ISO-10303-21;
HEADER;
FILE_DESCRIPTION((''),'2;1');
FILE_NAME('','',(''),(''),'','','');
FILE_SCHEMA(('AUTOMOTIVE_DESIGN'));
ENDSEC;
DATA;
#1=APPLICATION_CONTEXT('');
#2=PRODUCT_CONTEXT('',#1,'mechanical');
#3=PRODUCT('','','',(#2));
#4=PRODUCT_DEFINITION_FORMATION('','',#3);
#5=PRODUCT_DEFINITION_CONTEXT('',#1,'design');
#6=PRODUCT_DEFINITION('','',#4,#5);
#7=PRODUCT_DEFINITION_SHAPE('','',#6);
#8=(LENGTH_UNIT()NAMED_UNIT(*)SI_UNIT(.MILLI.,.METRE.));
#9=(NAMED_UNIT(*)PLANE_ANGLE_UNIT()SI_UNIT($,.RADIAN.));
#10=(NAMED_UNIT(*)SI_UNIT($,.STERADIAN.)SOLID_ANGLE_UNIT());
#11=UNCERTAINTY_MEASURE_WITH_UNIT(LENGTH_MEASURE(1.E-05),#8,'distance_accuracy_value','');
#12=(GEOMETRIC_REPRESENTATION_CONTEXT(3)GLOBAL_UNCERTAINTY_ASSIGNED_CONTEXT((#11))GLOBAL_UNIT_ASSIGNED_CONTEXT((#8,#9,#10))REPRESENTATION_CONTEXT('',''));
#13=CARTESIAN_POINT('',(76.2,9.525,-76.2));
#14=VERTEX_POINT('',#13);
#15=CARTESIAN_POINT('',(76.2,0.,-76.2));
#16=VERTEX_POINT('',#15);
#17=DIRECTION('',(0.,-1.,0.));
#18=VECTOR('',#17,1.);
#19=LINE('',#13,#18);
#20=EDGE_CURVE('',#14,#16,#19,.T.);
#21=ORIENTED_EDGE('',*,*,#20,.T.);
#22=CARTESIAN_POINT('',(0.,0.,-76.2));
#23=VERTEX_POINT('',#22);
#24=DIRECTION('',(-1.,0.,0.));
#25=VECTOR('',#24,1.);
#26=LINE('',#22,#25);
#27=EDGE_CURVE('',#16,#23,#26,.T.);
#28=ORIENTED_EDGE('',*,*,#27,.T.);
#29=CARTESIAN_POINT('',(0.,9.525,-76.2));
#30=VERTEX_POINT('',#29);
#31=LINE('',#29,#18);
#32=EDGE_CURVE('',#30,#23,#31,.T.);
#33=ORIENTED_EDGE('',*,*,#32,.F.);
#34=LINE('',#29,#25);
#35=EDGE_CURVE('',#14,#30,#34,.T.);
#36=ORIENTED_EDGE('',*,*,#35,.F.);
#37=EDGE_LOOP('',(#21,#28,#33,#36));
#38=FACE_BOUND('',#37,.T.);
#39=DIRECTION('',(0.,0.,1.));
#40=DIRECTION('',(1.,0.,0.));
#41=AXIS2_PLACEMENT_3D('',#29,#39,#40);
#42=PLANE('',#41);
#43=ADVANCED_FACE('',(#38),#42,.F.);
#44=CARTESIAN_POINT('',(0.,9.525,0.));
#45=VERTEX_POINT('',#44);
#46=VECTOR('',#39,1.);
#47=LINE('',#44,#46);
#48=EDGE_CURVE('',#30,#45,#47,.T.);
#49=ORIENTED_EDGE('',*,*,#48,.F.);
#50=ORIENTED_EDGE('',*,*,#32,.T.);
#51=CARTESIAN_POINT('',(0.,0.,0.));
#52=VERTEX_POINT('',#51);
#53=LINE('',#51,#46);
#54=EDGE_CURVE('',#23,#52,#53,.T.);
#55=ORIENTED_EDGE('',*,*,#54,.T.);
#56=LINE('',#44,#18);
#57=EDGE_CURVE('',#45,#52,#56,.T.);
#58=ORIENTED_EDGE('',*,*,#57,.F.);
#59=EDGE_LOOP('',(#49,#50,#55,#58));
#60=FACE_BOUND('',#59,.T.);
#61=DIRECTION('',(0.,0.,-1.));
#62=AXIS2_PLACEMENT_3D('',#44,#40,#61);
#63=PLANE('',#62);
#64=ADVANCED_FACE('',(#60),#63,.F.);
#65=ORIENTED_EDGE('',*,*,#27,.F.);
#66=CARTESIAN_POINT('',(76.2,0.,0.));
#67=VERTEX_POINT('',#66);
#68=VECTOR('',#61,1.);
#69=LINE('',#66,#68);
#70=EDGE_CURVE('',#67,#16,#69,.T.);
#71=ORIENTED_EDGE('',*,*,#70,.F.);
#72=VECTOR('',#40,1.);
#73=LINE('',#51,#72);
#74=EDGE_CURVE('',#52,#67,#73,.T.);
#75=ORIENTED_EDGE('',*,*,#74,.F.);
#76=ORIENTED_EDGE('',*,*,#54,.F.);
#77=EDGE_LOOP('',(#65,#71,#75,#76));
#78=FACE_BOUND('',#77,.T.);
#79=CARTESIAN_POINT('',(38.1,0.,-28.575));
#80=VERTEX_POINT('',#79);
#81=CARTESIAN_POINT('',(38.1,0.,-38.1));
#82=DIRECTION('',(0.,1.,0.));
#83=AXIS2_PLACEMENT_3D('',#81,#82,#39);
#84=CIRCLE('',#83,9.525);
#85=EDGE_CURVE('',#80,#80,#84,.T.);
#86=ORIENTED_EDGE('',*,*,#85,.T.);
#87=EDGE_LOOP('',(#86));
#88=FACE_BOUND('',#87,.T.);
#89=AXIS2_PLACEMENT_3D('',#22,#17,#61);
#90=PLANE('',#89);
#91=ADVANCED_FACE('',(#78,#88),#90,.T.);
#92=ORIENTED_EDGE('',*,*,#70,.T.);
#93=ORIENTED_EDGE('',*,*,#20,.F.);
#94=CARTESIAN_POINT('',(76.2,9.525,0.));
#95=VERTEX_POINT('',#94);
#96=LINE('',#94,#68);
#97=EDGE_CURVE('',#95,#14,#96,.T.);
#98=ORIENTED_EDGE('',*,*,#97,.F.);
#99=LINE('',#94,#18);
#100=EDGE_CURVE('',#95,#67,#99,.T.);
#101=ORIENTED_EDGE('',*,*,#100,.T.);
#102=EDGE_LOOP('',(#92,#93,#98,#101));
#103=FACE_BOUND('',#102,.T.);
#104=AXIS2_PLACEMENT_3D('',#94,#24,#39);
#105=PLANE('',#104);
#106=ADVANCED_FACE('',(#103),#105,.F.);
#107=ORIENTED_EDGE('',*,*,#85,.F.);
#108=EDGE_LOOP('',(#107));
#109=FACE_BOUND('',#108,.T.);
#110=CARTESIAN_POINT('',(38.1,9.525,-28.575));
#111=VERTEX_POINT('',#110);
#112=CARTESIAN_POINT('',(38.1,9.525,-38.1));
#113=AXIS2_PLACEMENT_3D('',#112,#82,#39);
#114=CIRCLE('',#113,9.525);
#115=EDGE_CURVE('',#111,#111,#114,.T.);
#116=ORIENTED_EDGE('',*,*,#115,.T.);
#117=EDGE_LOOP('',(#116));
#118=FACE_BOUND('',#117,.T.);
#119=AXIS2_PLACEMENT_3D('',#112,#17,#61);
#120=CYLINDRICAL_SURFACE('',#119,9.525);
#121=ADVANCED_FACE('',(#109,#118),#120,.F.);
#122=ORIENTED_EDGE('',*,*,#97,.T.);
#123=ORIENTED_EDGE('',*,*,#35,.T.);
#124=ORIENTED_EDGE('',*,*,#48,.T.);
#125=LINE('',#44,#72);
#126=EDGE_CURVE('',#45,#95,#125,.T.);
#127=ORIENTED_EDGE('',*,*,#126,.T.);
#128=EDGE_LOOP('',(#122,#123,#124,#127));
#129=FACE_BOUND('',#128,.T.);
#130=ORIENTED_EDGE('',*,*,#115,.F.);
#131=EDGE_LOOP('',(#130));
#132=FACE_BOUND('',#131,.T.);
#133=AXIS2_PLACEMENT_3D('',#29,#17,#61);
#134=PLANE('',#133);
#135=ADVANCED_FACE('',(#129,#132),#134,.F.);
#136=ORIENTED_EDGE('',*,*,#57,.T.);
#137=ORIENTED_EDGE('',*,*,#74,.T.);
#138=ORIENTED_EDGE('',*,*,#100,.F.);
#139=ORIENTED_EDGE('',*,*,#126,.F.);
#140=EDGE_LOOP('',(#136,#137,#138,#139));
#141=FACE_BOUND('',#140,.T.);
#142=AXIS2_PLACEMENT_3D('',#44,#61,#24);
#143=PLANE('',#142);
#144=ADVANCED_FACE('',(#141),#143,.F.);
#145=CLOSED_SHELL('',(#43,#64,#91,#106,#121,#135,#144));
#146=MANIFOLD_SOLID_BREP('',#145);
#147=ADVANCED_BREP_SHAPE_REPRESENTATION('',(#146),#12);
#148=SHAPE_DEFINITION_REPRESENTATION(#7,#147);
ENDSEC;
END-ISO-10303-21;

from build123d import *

# Parameters (mm, degrees)
SKETCH1_W           = 76.2
SKETCH1_H           = 76.2
SKETCH1_R           = 9.525
BOSS_EXTRUDE1_DEPTH = 9.525


with BuildPart() as part:
    # Sketch1 → Boss-Extrude1 (new body)
    with BuildSketch(Plane(origin=(0, 0, 0), x_dir=(1, 0, 0), z_dir=(0, 1, 0))):
        with Locations((38.1, 38.1)):
            Rectangle(SKETCH1_W, SKETCH1_H)
        with Locations((38.1, 38.1)):
            Circle(SKETCH1_R, mode=Mode.SUBTRACT)
    extrude(amount=BOSS_EXTRUDE1_DEPTH)


solid = part.part
